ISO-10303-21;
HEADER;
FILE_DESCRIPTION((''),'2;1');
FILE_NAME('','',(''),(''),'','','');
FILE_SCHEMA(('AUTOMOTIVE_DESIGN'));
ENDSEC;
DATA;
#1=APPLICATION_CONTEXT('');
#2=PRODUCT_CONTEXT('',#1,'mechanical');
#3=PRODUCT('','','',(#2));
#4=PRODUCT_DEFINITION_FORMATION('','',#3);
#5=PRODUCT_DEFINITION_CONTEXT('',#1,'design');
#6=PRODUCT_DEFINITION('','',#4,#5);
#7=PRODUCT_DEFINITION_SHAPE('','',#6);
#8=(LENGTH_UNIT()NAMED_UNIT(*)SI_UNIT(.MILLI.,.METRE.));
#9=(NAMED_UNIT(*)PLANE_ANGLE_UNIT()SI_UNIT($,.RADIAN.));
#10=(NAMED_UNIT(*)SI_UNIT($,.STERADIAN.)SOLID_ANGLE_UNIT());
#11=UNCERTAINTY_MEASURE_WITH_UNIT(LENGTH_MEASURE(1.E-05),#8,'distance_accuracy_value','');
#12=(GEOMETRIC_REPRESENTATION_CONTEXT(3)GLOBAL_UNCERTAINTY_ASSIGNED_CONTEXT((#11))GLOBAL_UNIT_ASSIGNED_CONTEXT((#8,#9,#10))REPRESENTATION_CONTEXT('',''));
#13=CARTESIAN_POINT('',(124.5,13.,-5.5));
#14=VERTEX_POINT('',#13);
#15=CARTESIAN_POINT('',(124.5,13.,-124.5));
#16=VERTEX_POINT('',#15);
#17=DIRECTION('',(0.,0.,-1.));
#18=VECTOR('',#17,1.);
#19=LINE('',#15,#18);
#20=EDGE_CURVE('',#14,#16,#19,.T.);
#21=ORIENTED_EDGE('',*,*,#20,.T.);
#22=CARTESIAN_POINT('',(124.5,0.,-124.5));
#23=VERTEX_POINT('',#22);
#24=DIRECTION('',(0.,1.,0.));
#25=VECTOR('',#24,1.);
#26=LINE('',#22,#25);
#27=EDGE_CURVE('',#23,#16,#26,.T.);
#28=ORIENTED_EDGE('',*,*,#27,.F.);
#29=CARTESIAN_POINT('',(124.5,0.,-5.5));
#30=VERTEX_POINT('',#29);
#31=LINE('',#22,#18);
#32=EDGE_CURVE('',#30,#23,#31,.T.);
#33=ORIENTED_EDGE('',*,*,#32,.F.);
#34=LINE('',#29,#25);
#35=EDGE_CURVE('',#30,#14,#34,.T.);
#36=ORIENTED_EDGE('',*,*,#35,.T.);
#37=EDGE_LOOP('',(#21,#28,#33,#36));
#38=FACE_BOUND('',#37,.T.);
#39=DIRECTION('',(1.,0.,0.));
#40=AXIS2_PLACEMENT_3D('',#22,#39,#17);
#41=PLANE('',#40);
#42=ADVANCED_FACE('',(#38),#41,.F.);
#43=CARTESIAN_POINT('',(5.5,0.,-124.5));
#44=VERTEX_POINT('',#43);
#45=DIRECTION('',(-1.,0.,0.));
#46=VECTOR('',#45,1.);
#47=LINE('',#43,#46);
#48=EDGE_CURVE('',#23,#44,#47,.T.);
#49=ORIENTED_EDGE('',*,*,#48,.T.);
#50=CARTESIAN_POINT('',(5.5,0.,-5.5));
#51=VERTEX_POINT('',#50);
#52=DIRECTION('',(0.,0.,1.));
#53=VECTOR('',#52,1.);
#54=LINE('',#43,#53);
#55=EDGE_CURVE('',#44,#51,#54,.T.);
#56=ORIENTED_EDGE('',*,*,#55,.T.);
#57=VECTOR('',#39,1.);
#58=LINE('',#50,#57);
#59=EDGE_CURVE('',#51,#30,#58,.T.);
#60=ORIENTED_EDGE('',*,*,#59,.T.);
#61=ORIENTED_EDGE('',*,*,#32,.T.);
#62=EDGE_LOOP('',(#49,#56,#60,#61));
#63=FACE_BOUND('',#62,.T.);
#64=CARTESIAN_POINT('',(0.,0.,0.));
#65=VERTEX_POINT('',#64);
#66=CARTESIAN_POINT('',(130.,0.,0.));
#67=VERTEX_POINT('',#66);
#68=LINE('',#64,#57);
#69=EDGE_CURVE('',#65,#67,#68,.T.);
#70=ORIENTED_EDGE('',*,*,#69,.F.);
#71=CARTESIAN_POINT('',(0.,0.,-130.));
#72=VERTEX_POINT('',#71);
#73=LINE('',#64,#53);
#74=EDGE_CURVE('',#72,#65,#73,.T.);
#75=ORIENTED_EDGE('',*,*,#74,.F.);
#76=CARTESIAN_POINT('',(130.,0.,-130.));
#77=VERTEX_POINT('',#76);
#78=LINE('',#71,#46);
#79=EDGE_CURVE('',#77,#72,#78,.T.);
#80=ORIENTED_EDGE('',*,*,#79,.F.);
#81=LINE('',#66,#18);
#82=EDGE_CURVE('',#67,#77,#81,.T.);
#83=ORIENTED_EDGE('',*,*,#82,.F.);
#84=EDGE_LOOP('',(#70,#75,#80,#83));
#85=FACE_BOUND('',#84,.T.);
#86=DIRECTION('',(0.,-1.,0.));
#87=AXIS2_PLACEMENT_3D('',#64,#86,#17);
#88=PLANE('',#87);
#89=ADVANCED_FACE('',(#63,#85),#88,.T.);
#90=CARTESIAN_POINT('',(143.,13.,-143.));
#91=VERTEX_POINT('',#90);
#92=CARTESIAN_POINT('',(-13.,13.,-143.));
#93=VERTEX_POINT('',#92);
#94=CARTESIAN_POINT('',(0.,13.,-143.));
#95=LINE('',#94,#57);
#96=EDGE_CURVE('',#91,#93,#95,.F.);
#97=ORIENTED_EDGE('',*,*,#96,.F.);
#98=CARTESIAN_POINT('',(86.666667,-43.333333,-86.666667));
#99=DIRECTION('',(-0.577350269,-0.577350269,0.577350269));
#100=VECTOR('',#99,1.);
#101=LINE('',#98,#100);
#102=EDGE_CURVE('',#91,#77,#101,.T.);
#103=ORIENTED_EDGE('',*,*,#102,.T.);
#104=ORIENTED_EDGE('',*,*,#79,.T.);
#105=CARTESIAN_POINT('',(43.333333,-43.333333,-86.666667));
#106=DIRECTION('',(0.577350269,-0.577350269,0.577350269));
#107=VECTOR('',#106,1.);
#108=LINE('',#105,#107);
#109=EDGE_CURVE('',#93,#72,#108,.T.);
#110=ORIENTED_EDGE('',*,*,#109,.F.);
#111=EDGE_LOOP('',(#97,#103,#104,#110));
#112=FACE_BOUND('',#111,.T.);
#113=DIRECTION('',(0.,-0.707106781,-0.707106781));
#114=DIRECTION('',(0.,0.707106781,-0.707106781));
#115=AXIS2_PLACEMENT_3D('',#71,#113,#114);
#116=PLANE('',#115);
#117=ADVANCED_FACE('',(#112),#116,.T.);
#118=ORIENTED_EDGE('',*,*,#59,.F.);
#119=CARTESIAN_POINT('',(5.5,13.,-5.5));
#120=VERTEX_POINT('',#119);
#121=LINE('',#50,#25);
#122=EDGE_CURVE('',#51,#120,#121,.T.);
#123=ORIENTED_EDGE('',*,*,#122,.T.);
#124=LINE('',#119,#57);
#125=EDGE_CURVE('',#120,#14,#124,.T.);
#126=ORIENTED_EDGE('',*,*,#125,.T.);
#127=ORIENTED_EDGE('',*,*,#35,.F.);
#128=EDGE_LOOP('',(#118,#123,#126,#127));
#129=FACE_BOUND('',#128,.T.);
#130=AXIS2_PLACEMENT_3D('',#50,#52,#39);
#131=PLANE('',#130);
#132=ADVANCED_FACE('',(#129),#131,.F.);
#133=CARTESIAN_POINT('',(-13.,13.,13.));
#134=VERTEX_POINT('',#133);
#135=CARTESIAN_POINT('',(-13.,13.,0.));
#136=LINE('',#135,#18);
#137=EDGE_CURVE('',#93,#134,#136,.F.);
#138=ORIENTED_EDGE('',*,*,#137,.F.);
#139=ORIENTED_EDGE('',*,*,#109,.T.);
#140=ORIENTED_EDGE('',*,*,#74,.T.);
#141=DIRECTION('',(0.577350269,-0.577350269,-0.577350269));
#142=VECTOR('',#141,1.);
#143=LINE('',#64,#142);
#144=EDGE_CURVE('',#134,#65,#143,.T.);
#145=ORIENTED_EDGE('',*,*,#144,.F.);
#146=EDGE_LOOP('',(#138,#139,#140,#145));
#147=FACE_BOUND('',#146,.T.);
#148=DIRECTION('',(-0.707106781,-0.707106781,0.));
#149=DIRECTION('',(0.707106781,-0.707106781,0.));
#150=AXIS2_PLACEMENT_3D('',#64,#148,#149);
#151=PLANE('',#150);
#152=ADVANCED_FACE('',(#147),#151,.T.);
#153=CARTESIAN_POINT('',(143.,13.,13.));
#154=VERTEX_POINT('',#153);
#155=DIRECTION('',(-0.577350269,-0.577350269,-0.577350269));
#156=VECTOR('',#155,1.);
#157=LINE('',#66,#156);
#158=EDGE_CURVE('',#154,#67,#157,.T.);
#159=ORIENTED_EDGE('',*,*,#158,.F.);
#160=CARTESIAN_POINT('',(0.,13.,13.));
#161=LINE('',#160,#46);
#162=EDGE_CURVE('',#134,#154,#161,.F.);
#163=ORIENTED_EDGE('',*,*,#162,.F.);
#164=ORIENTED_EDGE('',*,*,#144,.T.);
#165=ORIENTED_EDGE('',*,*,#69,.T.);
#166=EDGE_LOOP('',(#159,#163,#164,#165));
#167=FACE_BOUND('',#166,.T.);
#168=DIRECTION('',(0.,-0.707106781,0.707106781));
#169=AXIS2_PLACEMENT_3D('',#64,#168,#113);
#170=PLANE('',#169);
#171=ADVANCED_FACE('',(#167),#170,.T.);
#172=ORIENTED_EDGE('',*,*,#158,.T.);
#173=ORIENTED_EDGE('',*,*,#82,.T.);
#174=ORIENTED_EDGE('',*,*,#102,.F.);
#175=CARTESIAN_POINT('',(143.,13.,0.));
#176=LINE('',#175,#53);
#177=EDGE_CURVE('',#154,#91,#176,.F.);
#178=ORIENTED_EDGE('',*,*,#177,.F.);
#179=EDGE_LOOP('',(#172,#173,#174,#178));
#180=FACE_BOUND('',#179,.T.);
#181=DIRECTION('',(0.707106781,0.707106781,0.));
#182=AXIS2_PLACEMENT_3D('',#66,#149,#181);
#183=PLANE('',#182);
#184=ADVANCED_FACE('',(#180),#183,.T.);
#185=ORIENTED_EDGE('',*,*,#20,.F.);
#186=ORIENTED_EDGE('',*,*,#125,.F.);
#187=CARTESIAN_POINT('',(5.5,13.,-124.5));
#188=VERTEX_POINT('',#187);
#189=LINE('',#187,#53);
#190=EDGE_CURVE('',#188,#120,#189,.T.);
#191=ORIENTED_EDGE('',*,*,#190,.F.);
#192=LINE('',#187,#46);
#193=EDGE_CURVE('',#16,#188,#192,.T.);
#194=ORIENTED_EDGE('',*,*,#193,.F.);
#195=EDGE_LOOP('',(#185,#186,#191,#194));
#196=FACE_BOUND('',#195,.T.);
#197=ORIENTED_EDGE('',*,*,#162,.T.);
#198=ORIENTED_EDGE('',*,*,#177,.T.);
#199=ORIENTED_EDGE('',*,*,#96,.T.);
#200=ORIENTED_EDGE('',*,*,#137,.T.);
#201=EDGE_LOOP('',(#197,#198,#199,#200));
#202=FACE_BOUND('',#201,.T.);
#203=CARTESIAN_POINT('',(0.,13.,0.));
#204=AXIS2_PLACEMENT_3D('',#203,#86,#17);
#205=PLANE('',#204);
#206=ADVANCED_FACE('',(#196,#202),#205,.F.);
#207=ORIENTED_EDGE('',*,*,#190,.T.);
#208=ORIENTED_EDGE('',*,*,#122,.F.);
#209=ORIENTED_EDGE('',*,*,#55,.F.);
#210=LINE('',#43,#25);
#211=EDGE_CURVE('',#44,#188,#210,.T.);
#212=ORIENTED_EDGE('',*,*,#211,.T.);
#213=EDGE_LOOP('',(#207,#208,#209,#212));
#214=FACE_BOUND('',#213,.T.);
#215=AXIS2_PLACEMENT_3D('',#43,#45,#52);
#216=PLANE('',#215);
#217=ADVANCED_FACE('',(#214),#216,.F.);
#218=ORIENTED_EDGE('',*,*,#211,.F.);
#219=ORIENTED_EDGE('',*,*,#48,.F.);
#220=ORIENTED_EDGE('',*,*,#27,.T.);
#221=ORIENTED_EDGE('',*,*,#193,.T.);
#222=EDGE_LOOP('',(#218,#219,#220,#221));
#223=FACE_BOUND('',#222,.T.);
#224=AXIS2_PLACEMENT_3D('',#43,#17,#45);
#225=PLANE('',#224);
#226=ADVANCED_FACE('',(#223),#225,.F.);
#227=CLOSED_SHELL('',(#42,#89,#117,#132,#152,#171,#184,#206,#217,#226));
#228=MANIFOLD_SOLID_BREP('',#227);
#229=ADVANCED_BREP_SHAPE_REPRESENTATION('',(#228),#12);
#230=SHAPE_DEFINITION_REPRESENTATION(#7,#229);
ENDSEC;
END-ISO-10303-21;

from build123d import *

# Parameters (mm, degrees)
SKETCH1_W           = 130
SKETCH1_H           = 130
BOSS_EXTRUDE1_DEPTH = 13
BOSS_EXTRUDE1_TAPER = -45
SKETCH2_W           = 119
SKETCH2_H           = 119
CUT_EXTRUDE1_DEPTH  = 13


with BuildPart() as part:
    # Sketch1 → Boss-Extrude1 (new body)
    with BuildSketch(Plane(origin=(0, 0, 0), x_dir=(1, 0, 0), z_dir=(0, 1, 0))):
        with Locations((65, 65)):
            Rectangle(SKETCH1_W, SKETCH1_H)
    extrude(amount=BOSS_EXTRUDE1_DEPTH, taper=BOSS_EXTRUDE1_TAPER)

    # Sketch2 → Cut-Extrude1 (cut)
    with BuildSketch(Plane(origin=(0, 13, 0), x_dir=(1, 0, 0), z_dir=(0, 1, 0))):
        with Locations((65, 65)):
            Rectangle(SKETCH2_W, SKETCH2_H)
    extrude(amount=-CUT_EXTRUDE1_DEPTH, mode=Mode.SUBTRACT)


solid = part.part
